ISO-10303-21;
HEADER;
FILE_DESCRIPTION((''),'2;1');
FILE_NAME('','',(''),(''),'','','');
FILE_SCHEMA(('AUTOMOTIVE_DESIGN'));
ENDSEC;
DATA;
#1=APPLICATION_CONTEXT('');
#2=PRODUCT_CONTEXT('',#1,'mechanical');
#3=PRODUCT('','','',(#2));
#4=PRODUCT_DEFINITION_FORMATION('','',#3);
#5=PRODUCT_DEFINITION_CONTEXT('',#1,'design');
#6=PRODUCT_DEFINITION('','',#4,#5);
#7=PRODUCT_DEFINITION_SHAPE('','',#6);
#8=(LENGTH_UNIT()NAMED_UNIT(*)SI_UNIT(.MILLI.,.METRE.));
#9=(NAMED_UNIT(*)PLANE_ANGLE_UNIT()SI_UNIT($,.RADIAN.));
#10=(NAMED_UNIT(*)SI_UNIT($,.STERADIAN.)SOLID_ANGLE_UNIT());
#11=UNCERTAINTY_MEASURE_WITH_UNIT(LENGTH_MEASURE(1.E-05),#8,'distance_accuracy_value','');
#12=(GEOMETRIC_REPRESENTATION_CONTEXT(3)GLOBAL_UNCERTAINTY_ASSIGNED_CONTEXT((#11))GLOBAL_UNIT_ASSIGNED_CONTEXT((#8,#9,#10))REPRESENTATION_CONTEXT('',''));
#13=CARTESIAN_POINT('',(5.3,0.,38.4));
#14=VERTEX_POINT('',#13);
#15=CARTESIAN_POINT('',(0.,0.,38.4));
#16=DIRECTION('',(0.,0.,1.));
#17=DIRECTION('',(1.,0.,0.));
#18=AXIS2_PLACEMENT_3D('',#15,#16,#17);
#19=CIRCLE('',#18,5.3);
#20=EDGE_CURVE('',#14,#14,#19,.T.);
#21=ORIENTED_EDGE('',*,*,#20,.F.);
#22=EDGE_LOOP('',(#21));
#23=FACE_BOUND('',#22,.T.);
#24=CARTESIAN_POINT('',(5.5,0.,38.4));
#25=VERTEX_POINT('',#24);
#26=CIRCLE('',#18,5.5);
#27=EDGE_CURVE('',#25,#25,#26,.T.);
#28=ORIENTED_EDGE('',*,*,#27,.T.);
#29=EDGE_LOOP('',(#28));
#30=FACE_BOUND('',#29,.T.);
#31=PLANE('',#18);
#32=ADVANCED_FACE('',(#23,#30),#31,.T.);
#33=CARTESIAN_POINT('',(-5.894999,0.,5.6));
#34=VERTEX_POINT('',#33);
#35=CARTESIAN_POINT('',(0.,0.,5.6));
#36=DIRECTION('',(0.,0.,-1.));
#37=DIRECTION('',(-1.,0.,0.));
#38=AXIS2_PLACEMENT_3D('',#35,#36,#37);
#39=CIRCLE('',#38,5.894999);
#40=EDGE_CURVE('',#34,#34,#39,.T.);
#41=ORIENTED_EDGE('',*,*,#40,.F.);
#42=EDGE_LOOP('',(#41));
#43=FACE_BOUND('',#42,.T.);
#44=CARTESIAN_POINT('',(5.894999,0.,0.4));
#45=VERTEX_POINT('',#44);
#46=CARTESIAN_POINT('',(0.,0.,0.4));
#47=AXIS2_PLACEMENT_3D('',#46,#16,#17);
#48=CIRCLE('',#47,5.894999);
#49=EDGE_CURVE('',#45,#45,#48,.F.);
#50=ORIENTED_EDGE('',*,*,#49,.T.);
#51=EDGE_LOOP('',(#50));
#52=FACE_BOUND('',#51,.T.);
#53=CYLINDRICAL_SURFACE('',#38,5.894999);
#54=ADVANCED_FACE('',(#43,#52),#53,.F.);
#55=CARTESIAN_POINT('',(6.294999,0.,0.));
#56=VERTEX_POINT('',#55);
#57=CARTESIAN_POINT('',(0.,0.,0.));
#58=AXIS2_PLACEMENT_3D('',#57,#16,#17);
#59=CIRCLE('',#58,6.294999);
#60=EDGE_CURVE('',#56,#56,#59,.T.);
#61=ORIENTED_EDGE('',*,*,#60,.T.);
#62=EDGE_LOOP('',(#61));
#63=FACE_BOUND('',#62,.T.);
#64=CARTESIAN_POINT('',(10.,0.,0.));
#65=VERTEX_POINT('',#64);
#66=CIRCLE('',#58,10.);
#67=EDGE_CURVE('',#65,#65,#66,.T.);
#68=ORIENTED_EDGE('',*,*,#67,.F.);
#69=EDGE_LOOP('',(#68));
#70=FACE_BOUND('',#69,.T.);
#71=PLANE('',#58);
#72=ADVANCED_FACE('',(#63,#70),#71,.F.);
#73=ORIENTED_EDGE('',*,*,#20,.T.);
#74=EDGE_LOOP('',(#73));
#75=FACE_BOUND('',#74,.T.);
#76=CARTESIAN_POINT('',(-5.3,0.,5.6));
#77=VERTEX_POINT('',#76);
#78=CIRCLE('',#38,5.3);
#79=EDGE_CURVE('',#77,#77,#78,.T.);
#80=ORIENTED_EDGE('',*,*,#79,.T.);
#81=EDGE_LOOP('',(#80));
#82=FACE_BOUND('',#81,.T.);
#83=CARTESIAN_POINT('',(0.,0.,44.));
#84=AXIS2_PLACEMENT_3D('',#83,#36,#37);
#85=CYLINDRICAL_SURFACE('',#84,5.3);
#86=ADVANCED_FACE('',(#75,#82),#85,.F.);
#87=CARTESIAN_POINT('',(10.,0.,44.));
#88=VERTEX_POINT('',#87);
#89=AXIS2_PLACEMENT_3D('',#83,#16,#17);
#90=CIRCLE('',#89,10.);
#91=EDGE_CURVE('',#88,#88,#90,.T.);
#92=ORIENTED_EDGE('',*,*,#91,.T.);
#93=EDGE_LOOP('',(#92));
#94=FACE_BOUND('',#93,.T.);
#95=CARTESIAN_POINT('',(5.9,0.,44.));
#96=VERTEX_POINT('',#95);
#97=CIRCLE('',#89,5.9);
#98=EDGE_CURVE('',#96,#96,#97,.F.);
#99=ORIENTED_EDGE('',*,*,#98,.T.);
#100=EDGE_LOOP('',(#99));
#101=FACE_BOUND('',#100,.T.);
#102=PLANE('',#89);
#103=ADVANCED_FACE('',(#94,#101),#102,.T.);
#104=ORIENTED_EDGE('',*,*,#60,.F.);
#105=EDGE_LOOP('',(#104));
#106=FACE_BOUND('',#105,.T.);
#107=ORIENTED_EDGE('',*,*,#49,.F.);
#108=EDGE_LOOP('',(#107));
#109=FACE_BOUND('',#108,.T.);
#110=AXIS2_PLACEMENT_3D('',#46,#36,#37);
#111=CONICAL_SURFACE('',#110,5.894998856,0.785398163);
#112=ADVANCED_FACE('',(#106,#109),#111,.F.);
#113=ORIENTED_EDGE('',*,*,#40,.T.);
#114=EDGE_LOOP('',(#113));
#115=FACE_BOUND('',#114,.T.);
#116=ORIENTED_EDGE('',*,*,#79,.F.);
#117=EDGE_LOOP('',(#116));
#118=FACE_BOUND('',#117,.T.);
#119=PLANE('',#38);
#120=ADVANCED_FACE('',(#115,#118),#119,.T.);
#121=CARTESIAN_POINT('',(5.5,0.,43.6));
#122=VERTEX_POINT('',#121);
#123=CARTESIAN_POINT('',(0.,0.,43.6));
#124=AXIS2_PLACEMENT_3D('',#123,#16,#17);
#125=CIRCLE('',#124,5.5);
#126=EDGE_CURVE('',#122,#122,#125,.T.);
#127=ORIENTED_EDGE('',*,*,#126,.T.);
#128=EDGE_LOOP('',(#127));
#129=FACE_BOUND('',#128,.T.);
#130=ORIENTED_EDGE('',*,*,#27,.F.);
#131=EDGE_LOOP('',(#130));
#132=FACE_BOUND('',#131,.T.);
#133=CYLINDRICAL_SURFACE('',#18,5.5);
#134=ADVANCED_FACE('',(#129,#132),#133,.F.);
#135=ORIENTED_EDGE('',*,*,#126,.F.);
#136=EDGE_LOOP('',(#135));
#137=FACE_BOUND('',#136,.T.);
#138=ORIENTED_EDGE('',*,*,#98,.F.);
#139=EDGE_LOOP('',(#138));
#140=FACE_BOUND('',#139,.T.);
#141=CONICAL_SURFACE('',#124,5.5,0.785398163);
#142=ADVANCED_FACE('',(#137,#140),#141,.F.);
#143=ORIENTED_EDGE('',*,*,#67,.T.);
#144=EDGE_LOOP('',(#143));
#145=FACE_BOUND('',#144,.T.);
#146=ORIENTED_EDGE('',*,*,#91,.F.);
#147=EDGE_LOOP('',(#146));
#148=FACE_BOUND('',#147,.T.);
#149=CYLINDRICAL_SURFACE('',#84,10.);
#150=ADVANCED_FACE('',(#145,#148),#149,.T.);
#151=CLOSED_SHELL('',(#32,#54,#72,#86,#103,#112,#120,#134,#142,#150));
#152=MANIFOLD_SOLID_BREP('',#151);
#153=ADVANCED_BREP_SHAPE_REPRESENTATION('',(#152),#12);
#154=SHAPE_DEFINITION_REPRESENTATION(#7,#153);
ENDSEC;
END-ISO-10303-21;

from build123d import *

# Parameters (mm, degrees)
SKIZZE1_R                       = 10
SKIZZE1_R_2                     = 5.3
AUFSATZ_LINEAR_AUSTRAGEN1_DEPTH = 44
SKIZZE2_R                       = 5.5
SCHNITT_LINEAR_AUSTRAGEN1_DEPTH = 5.6
SKIZZE3_R                       = 5.894998856
SCHNITT_LINEAR_AUSTRAGEN2_DEPTH = 5.6
FASE1_SIZE                      = 0.4


with BuildPart() as part:
    # Skizze1 → Aufsatz-Linear austragen1 (new body)
    with BuildSketch(Plane.XY):
        Circle(SKIZZE1_R)
        Circle(SKIZZE1_R_2, mode=Mode.SUBTRACT)
    extrude(amount=AUFSATZ_LINEAR_AUSTRAGEN1_DEPTH)

    # Skizze2 → Schnitt-Linear austragen1 (cut)
    with BuildSketch(Plane.XY.offset(44)):
        Circle(SKIZZE2_R)
    extrude(amount=-SCHNITT_LINEAR_AUSTRAGEN1_DEPTH, mode=Mode.SUBTRACT)

    # Skizze3 → Schnitt-Linear austragen2 (cut)
    with BuildSketch(Plane(origin=(0, 0, 0), x_dir=(-1, 0, 0), z_dir=(0, 0, -1))):
        Circle(SKIZZE3_R)
    extrude(amount=-SCHNITT_LINEAR_AUSTRAGEN2_DEPTH, mode=Mode.SUBTRACT)

    # Fase1
    fase1_edges = [part.edges().sort_by_distance(p)[0] for p in [
        (-5.5, 0, 44),
        (5.894998856, 0, 0),
    ]]
    chamfer(fase1_edges, length=FASE1_SIZE)


solid = part.part
